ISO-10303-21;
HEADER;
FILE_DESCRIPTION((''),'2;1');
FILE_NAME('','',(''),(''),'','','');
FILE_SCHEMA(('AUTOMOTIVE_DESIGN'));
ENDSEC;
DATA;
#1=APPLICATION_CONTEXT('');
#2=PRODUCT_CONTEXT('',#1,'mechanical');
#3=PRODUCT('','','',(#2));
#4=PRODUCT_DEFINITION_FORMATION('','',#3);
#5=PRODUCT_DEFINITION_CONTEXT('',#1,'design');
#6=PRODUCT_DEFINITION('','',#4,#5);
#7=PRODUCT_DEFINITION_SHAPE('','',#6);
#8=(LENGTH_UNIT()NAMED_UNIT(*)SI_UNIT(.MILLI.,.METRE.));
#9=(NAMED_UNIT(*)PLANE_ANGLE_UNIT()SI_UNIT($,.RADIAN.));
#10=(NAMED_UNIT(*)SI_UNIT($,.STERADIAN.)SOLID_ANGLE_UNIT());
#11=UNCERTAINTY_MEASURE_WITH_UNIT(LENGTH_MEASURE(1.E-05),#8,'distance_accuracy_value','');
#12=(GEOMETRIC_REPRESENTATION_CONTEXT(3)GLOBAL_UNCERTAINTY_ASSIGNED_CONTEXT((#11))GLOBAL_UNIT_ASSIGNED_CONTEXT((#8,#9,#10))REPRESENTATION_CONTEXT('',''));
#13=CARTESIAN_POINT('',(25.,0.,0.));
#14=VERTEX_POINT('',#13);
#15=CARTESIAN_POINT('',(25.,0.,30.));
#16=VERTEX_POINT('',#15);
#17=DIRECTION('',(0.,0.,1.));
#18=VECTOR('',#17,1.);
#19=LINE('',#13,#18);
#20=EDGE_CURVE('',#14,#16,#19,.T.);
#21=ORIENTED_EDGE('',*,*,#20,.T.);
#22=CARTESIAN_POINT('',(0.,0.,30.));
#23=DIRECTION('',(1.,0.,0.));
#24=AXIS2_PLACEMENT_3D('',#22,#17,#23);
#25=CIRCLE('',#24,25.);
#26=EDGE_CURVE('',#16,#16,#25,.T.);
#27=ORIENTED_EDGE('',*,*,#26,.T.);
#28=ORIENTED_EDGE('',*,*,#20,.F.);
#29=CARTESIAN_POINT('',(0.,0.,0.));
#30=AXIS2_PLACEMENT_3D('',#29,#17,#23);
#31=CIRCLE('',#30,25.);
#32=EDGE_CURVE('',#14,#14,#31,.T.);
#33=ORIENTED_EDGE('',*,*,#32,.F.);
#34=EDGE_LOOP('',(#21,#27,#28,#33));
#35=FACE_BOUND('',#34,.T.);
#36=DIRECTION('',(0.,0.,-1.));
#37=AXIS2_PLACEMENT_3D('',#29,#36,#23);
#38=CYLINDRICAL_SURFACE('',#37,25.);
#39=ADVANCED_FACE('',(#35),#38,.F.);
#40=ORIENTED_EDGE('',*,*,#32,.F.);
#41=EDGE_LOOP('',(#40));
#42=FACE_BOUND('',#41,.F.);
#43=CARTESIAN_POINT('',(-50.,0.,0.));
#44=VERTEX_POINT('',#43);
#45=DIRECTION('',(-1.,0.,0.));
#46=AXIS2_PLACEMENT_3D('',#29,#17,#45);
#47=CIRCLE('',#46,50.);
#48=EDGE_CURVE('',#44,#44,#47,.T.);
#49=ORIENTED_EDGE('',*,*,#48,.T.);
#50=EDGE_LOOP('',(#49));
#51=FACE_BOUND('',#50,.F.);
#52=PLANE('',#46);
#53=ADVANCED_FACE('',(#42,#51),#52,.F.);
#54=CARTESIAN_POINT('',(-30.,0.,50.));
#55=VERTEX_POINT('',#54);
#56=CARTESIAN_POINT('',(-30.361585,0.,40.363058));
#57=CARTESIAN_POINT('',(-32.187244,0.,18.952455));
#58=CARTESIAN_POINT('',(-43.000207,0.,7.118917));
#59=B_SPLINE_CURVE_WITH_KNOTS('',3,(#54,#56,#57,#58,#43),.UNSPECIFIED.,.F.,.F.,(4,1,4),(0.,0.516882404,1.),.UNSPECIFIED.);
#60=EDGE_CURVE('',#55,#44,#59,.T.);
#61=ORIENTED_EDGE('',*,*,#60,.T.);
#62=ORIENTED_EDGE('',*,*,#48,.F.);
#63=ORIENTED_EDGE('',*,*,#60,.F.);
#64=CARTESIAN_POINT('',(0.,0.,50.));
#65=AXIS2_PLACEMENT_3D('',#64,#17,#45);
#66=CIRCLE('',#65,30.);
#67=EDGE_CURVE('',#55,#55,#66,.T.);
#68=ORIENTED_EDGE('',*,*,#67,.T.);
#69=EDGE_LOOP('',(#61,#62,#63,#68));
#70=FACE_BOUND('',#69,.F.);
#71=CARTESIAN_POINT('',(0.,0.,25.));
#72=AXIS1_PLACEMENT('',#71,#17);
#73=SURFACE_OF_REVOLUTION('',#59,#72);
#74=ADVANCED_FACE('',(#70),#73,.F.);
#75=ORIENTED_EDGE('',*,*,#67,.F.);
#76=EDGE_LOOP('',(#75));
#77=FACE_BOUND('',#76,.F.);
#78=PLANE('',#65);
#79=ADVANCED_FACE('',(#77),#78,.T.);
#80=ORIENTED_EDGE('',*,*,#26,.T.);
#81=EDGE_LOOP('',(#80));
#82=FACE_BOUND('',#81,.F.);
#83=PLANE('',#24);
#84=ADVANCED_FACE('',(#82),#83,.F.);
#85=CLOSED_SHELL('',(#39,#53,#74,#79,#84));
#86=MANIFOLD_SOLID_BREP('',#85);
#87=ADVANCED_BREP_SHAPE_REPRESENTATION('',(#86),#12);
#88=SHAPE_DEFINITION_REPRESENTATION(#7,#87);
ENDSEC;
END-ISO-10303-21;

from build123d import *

# Parameters (mm, degrees)
F2_R     = 25
F3_DEPTH = 30


with BuildPart() as f1:
    # F0 (on Front) → F1 (revolve)
    with BuildSketch(Plane.XZ):
        with BuildLine():
            Line((-50, 0), (0, 0))
            Line((0, 0), (0, 50))
            Line((0, 50), (-30, 50))
            add(Edge.make_bspline(
                [(-30, 50), (-30.3615849395, 40.3630577809), (-32.1872435822, 18.9524545198), (-43.0002072078, 7.1189168326), (-50, 0)],
                knots=[0, 0, 0, 0, 0.5168824038, 1, 1, 1, 1], degree=3))
        make_face()
    revolve(axis=Axis((0, 0, 25), (0, 0, 1)))

    # F2 (on Top) → F3 (cut)
    with BuildSketch(Plane.XY):
        Circle(F2_R)
    extrude(amount=F3_DEPTH, mode=Mode.SUBTRACT)


solid = f1.part
